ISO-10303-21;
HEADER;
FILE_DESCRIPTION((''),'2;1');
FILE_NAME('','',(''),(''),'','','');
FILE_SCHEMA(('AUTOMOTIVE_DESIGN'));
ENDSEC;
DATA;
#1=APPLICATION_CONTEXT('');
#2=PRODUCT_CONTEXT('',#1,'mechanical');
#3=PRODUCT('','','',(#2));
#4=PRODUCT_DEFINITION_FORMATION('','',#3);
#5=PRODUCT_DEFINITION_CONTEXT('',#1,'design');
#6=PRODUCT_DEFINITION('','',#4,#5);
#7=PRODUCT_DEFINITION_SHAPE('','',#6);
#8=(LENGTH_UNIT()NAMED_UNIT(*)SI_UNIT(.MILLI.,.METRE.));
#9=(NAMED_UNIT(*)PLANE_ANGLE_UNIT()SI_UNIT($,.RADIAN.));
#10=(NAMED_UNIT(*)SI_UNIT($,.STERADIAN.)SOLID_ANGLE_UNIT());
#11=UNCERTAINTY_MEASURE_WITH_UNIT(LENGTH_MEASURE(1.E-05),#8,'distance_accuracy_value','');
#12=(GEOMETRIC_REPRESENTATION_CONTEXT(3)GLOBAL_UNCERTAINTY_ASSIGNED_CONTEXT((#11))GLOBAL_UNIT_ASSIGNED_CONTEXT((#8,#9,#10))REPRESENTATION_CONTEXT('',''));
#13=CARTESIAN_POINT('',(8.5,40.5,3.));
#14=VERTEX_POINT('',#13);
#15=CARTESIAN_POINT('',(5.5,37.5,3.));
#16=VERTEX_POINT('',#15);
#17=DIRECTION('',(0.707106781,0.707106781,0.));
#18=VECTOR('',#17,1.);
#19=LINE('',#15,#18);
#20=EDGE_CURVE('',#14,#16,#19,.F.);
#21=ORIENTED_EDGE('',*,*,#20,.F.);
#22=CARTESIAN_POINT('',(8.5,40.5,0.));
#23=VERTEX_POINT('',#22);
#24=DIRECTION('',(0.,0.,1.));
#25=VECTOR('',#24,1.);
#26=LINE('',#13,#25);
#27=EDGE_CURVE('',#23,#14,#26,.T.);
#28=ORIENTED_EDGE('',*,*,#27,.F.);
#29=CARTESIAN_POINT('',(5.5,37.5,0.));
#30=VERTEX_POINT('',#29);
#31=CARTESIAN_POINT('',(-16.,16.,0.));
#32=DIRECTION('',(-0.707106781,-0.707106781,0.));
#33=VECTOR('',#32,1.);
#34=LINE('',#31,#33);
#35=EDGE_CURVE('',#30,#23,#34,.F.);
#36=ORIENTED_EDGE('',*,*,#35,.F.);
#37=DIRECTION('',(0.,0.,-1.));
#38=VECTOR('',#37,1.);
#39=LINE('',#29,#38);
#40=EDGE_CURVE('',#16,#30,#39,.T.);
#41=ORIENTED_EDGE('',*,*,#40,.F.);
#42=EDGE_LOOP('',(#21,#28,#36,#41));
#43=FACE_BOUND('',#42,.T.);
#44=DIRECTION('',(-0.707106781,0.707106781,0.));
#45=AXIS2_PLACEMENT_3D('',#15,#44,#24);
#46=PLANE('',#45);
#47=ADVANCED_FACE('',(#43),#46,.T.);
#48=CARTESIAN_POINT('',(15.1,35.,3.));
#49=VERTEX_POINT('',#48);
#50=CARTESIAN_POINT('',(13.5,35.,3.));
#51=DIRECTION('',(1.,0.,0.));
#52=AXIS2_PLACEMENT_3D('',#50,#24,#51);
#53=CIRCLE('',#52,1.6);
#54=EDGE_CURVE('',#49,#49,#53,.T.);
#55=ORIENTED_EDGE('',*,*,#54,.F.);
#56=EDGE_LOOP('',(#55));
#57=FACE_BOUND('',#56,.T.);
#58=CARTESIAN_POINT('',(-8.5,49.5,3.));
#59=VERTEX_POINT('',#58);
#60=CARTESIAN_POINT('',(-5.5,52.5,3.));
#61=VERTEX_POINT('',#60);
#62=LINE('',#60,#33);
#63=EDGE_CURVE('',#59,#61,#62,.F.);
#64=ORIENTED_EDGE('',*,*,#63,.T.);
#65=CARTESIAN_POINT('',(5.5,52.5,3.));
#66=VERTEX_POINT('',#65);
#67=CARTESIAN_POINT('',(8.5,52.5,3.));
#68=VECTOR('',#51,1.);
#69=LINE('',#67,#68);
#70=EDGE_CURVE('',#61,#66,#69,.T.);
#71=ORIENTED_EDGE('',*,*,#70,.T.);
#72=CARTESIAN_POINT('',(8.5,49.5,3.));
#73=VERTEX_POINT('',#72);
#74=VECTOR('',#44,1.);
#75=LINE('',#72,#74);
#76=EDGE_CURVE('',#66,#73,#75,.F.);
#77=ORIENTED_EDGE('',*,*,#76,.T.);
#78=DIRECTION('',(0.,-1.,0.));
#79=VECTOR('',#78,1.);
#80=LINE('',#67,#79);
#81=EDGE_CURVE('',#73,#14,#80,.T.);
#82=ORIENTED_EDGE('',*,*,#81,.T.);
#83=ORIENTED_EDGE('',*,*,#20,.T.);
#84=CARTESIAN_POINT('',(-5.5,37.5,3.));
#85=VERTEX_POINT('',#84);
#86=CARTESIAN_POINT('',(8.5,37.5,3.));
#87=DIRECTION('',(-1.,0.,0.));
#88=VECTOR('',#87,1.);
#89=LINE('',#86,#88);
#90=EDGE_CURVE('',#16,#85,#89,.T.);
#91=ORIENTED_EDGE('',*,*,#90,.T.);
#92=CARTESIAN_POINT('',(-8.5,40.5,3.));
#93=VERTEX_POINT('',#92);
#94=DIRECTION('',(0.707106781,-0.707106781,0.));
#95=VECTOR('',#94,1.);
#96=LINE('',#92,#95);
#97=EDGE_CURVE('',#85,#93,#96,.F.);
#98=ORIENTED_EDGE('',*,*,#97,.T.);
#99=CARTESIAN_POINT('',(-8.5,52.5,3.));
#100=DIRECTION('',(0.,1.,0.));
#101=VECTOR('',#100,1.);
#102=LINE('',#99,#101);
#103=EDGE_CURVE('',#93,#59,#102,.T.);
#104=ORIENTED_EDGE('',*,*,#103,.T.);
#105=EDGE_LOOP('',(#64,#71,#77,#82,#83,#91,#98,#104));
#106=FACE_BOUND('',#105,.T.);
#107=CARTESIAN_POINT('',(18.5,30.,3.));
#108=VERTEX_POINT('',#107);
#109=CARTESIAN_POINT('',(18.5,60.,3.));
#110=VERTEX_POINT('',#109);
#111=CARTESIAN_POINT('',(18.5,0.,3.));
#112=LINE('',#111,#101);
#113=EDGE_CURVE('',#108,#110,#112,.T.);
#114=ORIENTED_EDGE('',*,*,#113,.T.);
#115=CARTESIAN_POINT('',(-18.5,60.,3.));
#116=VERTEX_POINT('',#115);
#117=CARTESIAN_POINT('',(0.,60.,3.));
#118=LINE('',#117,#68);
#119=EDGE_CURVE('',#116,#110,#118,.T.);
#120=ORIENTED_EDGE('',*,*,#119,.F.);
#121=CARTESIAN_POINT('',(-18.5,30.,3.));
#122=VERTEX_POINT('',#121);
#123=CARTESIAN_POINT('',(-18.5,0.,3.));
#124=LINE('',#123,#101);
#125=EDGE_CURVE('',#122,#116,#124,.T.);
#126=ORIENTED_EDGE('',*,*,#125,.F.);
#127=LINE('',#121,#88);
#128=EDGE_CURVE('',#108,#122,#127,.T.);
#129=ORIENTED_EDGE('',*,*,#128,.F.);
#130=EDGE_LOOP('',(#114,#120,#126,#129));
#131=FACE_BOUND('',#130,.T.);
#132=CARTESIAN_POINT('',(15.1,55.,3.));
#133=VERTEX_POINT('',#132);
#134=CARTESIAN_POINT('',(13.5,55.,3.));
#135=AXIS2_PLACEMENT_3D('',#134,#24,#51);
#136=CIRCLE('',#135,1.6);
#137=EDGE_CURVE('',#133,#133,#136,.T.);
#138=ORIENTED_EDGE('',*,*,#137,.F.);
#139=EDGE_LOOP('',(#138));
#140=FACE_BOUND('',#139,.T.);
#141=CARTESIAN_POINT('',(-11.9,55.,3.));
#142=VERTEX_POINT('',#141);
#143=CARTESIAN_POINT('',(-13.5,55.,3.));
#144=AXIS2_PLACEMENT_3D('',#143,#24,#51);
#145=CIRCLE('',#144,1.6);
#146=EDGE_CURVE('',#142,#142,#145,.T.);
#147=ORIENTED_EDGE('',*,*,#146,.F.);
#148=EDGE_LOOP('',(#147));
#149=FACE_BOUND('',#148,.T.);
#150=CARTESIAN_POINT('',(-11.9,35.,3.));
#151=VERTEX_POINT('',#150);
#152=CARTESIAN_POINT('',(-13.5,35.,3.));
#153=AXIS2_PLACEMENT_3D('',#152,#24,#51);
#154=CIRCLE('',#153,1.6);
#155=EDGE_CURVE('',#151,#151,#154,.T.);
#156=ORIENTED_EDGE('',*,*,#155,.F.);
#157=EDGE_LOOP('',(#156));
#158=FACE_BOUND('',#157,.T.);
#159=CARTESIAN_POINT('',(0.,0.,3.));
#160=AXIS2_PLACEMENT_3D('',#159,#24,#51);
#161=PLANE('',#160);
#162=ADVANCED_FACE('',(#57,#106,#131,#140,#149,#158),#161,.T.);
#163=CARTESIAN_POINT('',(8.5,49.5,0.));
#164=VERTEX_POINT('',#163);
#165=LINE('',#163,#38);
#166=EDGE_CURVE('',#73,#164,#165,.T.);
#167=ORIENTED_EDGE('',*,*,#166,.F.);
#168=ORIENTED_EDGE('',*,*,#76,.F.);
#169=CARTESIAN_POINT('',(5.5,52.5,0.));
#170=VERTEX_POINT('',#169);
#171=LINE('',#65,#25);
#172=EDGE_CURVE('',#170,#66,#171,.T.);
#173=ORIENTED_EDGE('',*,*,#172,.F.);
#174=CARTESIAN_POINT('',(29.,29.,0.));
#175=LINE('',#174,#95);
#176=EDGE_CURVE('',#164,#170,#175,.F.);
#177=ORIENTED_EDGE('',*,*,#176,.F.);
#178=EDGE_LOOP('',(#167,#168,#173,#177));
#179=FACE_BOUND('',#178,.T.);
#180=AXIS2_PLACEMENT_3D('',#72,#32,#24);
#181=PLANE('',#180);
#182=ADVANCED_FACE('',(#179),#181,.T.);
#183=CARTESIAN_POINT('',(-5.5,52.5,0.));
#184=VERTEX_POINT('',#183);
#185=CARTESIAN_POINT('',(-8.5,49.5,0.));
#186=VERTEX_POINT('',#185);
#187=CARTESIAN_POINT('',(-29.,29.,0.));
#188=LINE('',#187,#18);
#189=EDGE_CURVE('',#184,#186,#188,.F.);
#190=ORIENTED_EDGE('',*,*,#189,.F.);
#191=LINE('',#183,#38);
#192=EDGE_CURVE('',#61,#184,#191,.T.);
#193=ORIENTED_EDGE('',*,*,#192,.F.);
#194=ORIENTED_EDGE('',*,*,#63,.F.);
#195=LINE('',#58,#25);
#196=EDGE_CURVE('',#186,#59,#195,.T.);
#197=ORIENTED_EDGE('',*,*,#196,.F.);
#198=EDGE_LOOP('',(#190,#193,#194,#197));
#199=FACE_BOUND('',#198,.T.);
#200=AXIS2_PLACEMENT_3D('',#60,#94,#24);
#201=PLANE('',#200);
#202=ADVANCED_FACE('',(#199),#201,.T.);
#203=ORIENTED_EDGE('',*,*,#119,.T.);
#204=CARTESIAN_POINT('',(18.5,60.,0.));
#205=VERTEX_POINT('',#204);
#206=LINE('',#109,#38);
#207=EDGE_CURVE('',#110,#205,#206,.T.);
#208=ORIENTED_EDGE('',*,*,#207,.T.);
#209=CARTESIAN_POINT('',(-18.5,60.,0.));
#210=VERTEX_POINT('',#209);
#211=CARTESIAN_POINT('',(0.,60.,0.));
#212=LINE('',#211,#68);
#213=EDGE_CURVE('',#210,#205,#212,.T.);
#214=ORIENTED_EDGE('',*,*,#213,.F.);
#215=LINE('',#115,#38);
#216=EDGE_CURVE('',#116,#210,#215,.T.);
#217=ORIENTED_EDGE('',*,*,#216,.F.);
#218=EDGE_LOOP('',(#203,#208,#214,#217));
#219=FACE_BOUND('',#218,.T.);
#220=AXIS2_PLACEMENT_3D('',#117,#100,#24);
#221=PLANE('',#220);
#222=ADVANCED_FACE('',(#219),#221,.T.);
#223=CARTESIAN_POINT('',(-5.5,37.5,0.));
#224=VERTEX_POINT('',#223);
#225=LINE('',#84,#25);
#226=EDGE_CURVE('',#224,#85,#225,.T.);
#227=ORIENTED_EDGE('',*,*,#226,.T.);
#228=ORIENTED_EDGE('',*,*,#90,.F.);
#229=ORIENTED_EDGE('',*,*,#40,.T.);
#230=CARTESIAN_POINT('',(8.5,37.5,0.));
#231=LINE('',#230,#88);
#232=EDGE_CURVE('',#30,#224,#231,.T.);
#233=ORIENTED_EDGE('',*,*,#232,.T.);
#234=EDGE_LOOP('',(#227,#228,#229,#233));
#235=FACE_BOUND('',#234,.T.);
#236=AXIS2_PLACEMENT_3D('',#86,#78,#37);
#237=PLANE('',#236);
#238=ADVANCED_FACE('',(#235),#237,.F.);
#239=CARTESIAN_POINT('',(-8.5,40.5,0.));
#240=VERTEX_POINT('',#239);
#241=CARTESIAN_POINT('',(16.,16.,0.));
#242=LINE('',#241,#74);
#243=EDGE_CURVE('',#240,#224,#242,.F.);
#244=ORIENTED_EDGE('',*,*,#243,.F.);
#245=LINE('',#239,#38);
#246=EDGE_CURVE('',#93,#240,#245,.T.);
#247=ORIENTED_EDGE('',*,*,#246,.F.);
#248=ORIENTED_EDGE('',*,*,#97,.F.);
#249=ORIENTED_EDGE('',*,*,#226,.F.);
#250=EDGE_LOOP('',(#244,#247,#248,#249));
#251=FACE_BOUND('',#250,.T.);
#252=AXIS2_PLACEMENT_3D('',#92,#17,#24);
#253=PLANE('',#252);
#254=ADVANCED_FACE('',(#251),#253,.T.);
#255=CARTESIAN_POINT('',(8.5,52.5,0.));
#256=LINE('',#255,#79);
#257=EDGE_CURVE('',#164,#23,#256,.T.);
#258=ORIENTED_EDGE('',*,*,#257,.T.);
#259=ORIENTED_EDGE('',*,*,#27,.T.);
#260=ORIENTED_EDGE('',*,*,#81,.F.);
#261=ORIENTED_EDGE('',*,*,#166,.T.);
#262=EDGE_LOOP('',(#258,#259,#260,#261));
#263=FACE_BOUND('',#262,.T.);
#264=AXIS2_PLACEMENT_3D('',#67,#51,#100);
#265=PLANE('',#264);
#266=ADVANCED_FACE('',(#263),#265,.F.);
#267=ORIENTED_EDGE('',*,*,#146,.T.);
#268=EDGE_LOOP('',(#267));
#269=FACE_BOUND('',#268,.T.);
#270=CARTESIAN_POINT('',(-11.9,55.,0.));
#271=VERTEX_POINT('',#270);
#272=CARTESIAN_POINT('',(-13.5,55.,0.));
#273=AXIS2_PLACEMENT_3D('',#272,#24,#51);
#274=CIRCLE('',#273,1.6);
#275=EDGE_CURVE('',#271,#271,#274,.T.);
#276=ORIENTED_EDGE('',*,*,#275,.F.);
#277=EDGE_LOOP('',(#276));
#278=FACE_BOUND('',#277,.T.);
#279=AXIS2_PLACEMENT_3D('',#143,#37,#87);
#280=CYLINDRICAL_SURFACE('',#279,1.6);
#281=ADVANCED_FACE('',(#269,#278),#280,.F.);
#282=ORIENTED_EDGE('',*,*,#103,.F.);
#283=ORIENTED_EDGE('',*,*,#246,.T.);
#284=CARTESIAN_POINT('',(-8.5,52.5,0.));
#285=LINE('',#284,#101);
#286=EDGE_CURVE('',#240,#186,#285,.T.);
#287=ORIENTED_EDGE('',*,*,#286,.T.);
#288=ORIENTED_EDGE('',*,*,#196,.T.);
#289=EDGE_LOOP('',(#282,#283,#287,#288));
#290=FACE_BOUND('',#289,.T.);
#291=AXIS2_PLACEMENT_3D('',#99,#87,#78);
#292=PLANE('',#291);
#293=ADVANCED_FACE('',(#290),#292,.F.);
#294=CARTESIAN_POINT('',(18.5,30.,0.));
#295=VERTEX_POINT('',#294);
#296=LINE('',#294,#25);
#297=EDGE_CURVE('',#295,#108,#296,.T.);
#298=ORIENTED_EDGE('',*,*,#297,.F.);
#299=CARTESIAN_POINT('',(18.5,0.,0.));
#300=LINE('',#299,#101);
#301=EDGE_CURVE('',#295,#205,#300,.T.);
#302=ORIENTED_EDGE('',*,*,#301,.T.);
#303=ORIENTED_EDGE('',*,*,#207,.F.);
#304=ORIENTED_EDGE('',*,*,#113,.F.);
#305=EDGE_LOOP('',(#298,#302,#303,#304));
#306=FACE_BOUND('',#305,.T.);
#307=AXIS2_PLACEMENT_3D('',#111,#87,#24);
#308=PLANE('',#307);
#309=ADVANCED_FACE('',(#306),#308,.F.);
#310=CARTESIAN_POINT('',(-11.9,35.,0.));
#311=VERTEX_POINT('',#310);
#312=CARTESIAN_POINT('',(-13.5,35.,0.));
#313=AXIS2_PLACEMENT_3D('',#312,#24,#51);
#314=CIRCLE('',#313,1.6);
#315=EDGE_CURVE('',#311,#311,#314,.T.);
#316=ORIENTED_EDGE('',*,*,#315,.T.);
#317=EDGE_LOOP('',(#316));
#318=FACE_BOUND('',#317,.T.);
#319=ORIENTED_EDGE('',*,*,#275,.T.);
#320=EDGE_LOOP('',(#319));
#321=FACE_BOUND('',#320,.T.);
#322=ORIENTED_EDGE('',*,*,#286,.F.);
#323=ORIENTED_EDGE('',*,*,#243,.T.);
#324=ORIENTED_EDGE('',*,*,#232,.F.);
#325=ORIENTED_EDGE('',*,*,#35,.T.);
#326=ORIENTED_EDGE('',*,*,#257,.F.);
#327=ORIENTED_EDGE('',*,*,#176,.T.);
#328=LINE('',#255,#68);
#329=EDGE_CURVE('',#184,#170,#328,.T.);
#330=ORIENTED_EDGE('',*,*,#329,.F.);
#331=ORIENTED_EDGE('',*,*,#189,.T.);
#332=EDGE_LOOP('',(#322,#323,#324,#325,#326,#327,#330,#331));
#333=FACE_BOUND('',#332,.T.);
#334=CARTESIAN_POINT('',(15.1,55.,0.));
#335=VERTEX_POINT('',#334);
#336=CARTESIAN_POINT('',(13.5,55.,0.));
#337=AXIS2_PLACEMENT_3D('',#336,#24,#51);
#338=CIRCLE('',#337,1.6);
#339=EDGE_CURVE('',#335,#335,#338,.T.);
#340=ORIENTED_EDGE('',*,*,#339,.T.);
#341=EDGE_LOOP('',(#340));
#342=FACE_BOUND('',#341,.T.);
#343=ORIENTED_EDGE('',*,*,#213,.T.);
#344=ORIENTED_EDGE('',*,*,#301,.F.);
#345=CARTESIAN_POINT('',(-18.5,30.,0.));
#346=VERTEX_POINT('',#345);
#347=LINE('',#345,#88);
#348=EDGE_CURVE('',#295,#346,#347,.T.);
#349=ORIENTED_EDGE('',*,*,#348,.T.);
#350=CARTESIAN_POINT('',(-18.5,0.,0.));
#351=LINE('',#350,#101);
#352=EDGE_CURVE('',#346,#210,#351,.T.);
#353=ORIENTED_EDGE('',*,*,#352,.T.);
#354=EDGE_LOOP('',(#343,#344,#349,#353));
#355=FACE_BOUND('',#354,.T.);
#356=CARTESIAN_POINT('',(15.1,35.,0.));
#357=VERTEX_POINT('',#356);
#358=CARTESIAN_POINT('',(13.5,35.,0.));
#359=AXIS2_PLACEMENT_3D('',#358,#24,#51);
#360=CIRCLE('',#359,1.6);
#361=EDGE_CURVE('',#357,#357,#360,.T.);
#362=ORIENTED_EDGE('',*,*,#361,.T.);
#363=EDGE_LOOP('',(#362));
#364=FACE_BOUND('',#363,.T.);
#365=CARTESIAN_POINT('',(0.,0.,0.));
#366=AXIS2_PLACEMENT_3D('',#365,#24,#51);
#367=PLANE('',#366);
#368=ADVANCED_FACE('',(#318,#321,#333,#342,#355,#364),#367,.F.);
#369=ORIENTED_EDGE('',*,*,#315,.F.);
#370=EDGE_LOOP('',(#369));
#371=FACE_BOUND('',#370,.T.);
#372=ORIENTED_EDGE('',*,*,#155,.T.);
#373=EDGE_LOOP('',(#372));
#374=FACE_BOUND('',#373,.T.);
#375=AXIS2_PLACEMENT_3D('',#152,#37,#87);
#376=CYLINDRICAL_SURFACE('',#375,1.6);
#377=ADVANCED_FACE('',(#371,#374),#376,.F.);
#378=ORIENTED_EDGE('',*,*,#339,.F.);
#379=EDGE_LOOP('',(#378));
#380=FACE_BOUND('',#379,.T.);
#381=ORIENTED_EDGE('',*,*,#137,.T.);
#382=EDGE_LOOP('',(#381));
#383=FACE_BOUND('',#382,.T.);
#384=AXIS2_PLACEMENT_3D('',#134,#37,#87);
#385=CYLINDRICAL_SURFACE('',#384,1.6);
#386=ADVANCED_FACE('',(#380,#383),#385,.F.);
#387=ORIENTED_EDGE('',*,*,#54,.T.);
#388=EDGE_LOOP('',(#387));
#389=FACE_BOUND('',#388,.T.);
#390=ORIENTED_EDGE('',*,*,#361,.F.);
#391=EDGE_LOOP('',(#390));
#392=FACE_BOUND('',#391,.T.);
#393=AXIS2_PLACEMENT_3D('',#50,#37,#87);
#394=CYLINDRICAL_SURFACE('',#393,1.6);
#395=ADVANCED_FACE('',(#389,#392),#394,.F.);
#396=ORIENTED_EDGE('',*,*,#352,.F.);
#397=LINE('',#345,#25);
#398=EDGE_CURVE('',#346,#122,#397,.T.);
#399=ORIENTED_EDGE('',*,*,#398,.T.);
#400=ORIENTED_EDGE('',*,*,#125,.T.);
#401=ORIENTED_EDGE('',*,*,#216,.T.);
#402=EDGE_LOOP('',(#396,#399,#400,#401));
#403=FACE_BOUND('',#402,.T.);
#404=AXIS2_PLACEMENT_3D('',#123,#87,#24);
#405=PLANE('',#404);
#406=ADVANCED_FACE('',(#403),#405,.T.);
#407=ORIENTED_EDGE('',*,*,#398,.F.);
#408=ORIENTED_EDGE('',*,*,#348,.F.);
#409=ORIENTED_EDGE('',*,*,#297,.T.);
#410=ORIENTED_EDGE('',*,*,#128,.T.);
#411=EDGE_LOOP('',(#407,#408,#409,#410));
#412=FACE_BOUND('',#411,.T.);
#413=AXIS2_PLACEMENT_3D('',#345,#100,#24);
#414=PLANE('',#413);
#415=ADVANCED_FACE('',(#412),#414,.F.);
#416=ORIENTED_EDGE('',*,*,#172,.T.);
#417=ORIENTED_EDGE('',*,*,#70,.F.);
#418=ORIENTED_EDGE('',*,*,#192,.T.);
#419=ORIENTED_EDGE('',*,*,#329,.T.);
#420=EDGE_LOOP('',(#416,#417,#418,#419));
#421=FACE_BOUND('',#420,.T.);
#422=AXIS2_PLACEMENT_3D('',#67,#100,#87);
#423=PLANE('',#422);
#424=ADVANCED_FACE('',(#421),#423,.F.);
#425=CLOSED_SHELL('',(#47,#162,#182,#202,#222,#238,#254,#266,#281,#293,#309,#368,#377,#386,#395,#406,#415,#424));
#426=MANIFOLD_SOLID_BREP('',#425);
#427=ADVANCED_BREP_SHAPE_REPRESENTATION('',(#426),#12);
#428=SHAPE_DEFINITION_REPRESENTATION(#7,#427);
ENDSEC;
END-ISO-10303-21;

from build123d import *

# Parameters (mm, degrees)
SKETCH_1_W          = 37
SKETCH_1_H          = 120
SKETCH_1_R          = 1.6
SKETCH_1_R_2        = 3
EXTRUDE_1_DEPTH     = 3
SKETCH_2_W          = 37
SKETCH_2_H          = 90
CUT_EXTRUDE_1_DEPTH = 3
SKETCH_3_W          = 17
SKETCH_3_H          = 15
CUT_EXTRUDE_2_DEPTH = 63.858969129
CHAMFER_1_SIZE      = 3


with BuildPart() as part:
    # ｽｹｯﾁ1 → ﾎﾞｽ - 押し出し1 (new body)
    # profile 1 of 2: a face of its own
    with BuildSketch(Plane.XY):
        Rectangle(SKETCH_1_W, SKETCH_1_H)
        with Locations((13.5, -55)):
            Circle(SKETCH_1_R, mode=Mode.SUBTRACT)
        with Locations((13.5, -35)):
            Circle(SKETCH_1_R_2, mode=Mode.SUBTRACT)
        with Locations((-13.5, -55)):
            Circle(SKETCH_1_R, mode=Mode.SUBTRACT)
        with Locations((-13.5, -35)):
            Circle(SKETCH_1_R_2, mode=Mode.SUBTRACT)
        with Locations((13.5, 35)):
            Circle(SKETCH_1_R, mode=Mode.SUBTRACT)
        with Locations((13.5, 55)):
            Circle(SKETCH_1_R, mode=Mode.SUBTRACT)
        with Locations((-13.5, 35)):
            Circle(SKETCH_1_R, mode=Mode.SUBTRACT)
        with Locations((-13.5, 55)):
            Circle(SKETCH_1_R, mode=Mode.SUBTRACT)
    # profile 2 of 2: a face of its own
    with BuildSketch(Plane.XY):
        Polygon((-18.5, -25), (-18.5, -60), (18.5, -60), (18.5, 60), (-18.5, 60), (-18.5, 25), align=None)
        with Locations((-13.5, -55)):
            Circle(SKETCH_1_R, mode=Mode.SUBTRACT)
        with Locations((-13.5, -35)):
            Circle(SKETCH_1_R_2, mode=Mode.SUBTRACT)
        with Locations((13.5, -55)):
            Circle(SKETCH_1_R, mode=Mode.SUBTRACT)
        with Locations((13.5, -35)):
            Circle(SKETCH_1_R_2, mode=Mode.SUBTRACT)
        with Locations((-13.5, 35)):
            Circle(SKETCH_1_R, mode=Mode.SUBTRACT)
        with Locations((-13.5, 55)):
            Circle(SKETCH_1_R, mode=Mode.SUBTRACT)
        with Locations((13.5, 35)):
            Circle(SKETCH_1_R, mode=Mode.SUBTRACT)
        with Locations((13.5, 55)):
            Circle(SKETCH_1_R, mode=Mode.SUBTRACT)
    extrude(amount=EXTRUDE_1_DEPTH)

    # ｽｹｯﾁ2 → ｶｯﾄ - 押し出し1 (cut)
    with BuildSketch(Plane.XY.offset(3)):
        with Locations((0, -15)):
            Rectangle(SKETCH_2_W, SKETCH_2_H)
    extrude(amount=-CUT_EXTRUDE_1_DEPTH, mode=Mode.SUBTRACT)

    # ｽｹｯﾁ3 → ｶｯﾄ - 押し出し2 (cut, through all)
    with BuildSketch(Plane(origin=(0, 0, 0), x_dir=(-1, 0, 0), z_dir=(0, 0, -1))):
        with Locations((0, 45)):
            Rectangle(SKETCH_3_W, SKETCH_3_H)
    extrude(amount=-CUT_EXTRUDE_2_DEPTH, mode=Mode.SUBTRACT)

    # 面取り1
    chamfer_1_edges = [part.edges().sort_by_distance(p)[0] for p in [
        (8.5, 37.5, 1.5),
        (8.5, 52.5, 1.5),
        (-8.5, 52.5, 1.5),
        (-8.5, 37.5, 1.5),
    ]]
    chamfer(chamfer_1_edges, length=CHAMFER_1_SIZE)


solid = part.part
